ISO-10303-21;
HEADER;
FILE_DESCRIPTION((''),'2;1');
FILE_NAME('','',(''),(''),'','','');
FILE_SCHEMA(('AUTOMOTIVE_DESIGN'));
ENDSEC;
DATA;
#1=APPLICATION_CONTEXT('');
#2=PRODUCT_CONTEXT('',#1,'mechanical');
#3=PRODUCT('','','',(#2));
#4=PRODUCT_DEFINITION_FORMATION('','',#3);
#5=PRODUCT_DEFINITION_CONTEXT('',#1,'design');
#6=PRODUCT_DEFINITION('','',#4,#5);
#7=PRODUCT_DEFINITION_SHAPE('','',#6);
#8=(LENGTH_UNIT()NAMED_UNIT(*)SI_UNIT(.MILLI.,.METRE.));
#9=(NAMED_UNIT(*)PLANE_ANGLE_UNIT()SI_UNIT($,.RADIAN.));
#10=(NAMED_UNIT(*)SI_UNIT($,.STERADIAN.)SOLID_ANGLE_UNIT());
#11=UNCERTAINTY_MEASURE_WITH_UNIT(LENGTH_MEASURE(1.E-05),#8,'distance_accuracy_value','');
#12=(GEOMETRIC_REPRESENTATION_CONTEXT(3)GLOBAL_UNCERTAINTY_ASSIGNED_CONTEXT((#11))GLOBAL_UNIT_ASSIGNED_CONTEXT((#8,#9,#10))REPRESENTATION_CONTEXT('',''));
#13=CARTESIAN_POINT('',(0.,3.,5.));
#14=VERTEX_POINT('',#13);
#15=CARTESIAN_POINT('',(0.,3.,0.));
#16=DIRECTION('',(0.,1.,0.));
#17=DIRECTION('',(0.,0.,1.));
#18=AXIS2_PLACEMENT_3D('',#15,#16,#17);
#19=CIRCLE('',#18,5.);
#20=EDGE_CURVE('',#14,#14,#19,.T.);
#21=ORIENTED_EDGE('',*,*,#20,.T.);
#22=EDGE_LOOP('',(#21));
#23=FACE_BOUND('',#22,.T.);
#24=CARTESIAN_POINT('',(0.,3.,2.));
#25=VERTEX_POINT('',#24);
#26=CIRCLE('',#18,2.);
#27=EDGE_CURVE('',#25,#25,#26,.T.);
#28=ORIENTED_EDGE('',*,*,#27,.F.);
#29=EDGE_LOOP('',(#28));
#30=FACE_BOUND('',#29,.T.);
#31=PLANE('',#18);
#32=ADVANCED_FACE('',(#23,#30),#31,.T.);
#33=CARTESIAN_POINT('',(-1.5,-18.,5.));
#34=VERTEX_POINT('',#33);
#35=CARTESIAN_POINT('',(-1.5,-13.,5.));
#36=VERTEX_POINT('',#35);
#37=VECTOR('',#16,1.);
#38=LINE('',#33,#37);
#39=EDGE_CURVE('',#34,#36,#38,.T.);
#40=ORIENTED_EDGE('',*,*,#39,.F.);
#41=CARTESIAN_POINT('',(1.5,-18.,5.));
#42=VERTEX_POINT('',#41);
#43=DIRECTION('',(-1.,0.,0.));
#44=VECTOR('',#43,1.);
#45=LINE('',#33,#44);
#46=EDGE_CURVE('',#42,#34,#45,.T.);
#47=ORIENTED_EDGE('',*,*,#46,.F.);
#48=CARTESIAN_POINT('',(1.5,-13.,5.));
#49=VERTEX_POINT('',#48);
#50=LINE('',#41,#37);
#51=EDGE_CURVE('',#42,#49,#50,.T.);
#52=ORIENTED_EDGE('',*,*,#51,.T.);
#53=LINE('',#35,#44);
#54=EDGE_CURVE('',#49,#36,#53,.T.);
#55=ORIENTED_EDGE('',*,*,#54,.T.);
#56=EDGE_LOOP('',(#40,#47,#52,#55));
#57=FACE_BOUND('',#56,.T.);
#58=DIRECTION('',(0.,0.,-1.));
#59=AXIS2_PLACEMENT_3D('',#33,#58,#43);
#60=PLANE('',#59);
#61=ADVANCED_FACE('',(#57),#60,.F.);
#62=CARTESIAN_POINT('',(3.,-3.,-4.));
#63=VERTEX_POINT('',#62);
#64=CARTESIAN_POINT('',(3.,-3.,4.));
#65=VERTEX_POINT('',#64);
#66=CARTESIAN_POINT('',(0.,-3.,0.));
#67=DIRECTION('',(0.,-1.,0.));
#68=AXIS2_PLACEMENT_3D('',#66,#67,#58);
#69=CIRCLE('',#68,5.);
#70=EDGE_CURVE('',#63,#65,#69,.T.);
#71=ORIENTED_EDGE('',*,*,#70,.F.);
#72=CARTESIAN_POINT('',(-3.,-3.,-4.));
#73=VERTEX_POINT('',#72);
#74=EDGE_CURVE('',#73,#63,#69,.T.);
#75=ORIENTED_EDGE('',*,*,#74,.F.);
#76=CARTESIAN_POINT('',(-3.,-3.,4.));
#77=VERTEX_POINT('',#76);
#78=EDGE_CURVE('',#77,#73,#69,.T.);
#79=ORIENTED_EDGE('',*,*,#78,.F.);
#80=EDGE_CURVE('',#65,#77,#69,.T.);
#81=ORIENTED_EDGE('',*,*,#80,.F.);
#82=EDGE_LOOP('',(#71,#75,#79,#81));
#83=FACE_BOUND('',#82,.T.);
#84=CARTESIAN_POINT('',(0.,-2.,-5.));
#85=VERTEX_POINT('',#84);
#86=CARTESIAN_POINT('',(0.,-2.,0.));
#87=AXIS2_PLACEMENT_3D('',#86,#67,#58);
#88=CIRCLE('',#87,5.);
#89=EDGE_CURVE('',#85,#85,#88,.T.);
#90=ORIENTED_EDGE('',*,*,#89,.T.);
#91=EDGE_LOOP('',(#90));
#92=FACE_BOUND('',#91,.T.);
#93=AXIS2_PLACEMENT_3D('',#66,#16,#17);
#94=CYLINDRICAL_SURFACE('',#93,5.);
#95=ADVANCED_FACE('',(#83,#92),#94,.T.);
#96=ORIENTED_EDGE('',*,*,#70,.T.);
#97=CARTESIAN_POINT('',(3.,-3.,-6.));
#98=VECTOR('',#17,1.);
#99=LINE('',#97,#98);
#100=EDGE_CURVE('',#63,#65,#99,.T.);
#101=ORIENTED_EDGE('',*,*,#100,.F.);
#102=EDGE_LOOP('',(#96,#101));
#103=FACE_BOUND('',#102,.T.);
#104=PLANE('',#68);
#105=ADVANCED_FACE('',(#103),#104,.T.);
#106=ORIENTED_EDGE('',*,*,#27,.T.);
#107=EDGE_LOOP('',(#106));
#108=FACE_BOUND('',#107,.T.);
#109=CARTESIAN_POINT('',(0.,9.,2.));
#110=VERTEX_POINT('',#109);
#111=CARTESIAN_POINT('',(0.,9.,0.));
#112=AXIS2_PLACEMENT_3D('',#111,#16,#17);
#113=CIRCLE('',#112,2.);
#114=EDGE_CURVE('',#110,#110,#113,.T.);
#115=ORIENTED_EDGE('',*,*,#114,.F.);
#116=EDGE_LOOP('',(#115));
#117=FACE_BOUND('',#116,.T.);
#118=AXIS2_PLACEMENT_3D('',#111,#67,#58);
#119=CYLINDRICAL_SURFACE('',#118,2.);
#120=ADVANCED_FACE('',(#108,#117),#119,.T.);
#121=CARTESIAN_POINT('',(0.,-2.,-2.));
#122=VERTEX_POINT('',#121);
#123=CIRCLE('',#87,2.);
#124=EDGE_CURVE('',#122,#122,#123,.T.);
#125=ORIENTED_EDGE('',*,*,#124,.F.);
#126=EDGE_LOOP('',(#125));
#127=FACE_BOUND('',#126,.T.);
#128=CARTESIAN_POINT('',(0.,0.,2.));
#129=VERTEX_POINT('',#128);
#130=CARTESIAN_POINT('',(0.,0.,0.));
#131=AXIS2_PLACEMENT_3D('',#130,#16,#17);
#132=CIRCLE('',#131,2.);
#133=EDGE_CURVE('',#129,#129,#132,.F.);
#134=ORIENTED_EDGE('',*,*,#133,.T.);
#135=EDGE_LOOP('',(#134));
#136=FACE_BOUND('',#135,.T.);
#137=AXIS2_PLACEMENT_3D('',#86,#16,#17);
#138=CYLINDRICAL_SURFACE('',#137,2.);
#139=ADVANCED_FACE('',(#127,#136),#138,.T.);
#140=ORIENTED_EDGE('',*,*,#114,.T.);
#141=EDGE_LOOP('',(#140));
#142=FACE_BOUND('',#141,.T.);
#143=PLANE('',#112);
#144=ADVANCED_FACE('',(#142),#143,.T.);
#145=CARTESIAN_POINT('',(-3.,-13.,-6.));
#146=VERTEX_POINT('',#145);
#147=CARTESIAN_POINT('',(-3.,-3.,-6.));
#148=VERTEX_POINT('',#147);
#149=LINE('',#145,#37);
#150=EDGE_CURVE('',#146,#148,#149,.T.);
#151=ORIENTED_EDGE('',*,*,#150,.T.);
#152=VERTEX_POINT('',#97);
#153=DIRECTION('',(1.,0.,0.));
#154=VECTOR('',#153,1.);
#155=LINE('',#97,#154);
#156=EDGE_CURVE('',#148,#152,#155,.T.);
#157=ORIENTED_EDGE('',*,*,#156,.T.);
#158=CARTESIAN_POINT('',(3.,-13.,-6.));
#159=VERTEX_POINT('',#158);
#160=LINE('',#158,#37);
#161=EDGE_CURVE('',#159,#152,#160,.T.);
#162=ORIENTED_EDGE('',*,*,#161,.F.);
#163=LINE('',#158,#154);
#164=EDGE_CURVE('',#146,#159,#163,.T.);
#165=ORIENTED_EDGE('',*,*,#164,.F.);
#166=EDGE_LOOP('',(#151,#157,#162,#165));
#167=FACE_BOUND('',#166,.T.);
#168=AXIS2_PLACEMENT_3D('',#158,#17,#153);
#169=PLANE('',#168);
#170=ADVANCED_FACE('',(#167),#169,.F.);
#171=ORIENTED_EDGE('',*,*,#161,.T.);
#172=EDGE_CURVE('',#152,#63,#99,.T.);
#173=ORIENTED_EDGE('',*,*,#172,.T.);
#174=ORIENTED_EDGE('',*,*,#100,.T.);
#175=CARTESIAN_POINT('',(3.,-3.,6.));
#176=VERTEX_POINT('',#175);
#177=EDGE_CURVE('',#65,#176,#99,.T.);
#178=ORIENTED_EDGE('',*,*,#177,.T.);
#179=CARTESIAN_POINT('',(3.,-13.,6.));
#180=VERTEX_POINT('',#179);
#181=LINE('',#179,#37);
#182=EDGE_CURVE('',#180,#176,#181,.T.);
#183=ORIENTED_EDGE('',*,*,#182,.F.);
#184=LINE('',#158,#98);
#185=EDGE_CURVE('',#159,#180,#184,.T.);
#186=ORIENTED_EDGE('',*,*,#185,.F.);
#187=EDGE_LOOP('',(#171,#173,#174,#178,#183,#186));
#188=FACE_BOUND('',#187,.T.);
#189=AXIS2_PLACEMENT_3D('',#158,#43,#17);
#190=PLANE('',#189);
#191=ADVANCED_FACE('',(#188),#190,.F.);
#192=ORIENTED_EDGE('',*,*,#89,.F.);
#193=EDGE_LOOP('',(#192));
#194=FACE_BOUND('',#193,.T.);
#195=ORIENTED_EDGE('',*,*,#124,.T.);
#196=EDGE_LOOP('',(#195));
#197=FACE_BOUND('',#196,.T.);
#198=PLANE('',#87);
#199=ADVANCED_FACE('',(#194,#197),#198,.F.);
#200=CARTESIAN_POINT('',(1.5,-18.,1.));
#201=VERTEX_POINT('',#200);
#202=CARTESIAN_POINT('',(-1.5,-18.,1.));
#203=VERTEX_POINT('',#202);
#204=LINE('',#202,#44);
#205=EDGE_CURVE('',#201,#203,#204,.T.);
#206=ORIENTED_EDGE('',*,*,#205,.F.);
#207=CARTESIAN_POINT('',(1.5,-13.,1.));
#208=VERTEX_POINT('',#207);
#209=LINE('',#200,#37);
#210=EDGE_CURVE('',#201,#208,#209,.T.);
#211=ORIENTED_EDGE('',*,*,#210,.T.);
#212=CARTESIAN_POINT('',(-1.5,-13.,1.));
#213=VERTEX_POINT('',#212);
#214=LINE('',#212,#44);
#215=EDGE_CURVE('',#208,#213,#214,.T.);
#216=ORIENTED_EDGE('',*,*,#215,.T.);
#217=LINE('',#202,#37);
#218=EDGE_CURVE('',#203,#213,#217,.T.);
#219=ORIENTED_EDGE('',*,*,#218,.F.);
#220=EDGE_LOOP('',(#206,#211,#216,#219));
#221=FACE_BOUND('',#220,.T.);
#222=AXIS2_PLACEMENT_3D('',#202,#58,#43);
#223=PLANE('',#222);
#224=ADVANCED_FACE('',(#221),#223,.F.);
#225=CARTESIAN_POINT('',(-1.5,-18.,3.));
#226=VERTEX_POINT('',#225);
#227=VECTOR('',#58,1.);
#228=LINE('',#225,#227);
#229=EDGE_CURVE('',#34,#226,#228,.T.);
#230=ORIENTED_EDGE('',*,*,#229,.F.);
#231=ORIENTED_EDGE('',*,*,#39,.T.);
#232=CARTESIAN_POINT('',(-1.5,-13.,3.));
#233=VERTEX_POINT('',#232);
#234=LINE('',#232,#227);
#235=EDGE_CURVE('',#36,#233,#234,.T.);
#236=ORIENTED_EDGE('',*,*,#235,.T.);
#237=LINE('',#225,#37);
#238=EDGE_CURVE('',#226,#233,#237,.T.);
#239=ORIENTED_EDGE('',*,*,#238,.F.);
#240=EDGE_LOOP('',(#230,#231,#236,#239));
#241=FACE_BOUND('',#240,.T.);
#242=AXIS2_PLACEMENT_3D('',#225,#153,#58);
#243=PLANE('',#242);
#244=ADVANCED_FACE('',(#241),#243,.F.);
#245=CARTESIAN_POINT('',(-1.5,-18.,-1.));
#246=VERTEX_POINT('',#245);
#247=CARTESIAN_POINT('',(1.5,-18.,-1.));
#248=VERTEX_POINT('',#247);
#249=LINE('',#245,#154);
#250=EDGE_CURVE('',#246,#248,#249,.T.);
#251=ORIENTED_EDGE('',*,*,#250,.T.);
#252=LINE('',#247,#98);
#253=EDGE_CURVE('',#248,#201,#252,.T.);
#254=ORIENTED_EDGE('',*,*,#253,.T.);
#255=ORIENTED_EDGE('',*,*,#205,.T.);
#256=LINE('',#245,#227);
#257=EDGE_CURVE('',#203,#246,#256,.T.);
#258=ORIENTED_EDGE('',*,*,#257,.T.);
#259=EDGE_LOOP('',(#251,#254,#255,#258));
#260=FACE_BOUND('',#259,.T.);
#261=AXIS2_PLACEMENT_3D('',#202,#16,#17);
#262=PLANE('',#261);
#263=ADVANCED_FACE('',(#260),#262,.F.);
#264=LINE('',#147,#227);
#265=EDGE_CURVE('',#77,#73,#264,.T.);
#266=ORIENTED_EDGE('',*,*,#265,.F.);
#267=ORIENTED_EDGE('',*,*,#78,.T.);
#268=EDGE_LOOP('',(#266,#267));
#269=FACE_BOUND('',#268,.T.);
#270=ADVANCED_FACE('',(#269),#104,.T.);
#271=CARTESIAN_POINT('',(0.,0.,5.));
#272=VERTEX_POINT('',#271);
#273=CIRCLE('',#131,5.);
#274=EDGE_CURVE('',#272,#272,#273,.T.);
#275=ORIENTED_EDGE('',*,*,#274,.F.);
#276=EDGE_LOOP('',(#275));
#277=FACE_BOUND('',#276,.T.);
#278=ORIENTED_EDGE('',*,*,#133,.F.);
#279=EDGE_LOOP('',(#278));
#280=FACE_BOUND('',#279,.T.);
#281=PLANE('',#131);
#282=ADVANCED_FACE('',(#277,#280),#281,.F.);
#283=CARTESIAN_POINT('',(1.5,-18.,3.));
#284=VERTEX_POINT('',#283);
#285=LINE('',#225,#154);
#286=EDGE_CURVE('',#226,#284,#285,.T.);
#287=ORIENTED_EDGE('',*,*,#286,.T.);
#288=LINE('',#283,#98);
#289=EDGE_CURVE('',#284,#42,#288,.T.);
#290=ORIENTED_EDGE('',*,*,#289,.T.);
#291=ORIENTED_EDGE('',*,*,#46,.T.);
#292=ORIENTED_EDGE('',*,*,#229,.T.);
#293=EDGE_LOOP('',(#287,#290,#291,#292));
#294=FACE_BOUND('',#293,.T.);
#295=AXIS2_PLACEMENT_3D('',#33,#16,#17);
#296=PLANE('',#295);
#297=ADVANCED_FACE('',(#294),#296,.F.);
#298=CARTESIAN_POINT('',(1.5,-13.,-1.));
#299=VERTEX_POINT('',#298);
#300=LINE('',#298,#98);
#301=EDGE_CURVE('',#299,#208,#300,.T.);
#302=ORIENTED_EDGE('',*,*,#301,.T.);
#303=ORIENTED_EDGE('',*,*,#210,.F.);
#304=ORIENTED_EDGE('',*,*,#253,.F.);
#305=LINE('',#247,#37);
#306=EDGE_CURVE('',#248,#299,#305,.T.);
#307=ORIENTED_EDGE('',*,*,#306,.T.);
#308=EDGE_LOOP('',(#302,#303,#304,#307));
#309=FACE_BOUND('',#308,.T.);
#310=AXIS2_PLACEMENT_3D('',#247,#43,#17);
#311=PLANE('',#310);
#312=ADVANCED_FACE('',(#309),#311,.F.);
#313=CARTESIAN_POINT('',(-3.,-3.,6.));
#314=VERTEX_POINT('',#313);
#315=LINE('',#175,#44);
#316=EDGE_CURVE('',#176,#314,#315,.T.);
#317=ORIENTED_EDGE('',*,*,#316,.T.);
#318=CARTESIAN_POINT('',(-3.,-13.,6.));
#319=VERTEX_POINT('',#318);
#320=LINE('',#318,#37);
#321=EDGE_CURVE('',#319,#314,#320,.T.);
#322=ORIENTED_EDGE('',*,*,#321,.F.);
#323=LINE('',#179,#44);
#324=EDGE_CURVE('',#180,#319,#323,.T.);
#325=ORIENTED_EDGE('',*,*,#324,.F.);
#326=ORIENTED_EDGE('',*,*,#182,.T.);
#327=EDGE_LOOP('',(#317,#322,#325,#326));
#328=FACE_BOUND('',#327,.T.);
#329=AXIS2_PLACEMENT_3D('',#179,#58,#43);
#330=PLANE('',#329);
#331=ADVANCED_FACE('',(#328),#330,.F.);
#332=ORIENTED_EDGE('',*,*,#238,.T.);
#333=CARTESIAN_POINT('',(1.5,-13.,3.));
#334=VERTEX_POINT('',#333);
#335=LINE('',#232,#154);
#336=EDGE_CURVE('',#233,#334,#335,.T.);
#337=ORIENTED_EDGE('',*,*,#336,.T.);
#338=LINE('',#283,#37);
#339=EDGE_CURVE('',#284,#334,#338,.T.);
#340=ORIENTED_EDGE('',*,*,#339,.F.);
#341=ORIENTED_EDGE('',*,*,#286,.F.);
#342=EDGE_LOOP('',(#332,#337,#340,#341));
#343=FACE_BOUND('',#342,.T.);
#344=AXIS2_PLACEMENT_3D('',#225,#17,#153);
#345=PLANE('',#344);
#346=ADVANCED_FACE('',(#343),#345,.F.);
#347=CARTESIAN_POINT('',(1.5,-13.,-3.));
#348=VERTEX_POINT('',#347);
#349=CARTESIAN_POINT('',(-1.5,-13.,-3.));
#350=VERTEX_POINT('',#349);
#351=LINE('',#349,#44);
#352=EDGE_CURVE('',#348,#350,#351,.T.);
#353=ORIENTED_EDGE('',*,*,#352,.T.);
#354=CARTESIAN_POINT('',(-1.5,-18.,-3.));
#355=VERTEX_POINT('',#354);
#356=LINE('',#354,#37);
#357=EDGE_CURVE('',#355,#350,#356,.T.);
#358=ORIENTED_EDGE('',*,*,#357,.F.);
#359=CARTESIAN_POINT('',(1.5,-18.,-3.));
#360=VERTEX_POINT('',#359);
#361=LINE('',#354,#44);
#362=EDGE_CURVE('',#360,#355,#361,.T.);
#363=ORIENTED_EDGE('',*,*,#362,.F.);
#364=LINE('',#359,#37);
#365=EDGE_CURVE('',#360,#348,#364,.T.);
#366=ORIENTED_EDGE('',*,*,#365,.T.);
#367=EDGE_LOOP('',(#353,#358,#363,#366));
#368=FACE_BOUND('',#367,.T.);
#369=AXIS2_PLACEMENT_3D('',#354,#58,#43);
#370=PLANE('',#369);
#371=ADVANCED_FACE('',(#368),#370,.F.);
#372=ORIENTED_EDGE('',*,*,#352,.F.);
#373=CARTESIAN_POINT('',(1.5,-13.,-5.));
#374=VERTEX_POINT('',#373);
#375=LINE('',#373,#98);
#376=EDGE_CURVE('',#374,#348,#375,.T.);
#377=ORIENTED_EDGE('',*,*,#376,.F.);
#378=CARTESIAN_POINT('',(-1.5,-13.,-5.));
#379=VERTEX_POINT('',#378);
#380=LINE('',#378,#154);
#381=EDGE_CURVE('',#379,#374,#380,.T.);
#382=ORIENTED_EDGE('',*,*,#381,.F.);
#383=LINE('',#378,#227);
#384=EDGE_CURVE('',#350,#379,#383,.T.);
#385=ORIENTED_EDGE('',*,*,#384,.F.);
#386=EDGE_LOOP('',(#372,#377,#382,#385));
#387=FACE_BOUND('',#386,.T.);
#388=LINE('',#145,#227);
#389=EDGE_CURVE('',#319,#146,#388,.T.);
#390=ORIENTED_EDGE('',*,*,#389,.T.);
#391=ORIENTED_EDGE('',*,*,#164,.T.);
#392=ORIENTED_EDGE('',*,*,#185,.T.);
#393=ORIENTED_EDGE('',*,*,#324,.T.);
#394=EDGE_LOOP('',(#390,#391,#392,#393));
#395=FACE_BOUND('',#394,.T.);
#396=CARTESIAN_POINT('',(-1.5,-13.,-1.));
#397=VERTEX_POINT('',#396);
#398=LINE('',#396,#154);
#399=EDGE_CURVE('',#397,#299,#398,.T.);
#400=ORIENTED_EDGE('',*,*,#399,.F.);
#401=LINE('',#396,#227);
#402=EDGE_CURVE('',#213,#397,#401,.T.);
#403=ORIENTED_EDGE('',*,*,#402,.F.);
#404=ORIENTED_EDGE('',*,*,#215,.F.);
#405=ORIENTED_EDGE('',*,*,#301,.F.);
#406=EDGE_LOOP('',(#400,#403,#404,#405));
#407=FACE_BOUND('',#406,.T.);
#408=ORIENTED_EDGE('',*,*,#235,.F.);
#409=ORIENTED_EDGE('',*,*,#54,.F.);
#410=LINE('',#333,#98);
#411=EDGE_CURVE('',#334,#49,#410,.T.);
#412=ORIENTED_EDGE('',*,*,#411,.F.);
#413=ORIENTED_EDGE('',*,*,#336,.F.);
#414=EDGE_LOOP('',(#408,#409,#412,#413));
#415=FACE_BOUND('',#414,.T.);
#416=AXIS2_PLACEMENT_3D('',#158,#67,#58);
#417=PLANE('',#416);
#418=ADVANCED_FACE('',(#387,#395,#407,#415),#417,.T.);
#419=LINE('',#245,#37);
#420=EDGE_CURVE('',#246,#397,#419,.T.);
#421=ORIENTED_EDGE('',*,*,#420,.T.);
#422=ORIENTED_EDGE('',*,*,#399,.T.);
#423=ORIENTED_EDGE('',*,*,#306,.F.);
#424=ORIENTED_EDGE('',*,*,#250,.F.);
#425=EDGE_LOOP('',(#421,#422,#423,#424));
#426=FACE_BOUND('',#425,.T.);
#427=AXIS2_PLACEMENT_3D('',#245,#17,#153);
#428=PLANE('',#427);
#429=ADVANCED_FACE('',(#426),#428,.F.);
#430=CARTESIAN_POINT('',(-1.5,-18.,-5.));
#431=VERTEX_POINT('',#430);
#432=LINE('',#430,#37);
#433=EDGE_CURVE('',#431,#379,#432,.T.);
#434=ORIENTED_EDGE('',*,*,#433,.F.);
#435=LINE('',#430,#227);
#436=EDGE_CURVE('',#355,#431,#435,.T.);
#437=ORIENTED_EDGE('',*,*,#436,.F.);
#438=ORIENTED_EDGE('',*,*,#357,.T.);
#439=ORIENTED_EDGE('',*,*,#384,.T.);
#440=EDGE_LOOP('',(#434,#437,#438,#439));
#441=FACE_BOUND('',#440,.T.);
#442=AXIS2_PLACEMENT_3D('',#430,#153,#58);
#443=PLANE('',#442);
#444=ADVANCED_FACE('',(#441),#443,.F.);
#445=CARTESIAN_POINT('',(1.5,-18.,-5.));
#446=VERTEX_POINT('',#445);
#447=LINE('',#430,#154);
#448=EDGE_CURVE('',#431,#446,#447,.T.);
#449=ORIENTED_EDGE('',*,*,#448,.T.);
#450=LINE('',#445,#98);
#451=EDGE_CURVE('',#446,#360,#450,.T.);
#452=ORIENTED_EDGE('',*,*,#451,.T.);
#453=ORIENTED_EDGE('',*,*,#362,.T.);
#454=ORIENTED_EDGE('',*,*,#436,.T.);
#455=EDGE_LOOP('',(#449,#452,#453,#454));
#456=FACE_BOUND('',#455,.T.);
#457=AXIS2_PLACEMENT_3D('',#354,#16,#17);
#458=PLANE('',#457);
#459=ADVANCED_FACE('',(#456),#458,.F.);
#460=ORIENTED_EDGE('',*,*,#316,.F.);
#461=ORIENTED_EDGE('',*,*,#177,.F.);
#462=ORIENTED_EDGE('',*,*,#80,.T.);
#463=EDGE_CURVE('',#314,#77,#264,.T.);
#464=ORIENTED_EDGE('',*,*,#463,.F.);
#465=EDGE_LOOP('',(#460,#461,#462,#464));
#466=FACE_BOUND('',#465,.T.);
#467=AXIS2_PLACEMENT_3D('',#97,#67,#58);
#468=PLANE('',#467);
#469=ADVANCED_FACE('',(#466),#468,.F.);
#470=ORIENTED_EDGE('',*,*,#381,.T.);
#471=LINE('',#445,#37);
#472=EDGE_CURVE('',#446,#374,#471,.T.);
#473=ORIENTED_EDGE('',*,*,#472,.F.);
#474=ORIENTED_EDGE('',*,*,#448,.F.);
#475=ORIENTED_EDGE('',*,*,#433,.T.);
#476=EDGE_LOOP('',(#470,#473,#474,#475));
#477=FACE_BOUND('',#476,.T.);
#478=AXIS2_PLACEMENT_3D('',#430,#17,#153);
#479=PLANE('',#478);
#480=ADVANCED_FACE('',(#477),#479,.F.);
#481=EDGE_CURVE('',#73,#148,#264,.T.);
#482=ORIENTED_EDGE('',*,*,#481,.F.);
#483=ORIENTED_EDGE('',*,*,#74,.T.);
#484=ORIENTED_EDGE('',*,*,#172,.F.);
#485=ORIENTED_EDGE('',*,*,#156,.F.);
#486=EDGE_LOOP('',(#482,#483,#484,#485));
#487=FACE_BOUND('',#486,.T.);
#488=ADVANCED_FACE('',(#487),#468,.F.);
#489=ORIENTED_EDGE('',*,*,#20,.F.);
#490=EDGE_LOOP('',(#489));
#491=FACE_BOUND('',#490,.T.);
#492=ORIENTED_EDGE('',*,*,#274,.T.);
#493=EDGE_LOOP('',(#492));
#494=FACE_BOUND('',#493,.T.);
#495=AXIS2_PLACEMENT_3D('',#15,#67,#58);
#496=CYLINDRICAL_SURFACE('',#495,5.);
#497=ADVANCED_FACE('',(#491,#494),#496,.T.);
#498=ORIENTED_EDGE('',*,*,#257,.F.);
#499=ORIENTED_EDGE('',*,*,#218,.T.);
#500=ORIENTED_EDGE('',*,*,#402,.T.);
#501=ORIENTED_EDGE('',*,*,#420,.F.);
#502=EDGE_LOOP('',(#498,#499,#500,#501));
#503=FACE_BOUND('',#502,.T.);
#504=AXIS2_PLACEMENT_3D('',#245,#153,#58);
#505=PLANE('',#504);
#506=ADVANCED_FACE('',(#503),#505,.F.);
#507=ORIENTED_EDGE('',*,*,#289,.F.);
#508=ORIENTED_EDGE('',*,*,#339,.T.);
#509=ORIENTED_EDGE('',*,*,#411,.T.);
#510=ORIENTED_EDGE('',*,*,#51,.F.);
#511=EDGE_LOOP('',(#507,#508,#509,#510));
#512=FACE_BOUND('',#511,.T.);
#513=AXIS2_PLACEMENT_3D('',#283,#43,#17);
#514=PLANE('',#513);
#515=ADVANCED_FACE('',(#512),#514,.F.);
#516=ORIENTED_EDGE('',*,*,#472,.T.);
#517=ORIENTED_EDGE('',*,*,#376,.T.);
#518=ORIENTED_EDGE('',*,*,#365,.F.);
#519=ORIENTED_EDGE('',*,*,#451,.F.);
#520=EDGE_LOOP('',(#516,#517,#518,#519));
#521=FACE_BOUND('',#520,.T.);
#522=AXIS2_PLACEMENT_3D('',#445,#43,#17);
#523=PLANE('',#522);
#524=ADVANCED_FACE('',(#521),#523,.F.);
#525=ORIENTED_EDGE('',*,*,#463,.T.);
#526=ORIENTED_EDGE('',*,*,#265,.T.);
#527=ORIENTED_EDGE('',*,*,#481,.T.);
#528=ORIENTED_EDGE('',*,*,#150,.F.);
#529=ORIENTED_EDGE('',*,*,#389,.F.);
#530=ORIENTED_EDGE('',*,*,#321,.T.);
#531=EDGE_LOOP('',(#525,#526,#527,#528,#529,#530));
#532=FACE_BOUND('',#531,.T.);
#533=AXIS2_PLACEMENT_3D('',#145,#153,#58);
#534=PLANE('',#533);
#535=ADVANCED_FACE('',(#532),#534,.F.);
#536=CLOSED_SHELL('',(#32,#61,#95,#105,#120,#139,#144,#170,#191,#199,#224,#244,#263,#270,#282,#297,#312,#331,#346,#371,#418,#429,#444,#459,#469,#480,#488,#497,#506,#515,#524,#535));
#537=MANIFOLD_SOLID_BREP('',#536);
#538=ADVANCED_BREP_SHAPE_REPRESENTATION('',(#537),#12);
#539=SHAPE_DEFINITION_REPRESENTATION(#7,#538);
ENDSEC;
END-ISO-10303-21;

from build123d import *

# Parameters (mm, degrees)
ESQUISSE1_R      = 5
EXTRUSION1_DEPTH = 3
ESQUISSE2_R      = 2
EXTRUSION2_DEPTH = 6
ESQUISSE3_R      = 2
EXTRUSION3_DEPTH = 2
ESQUISSE4_R      = 5
EXTRUSION4_DEPTH = 1
ESQUISSE5_W      = 6
ESQUISSE5_H      = 12
EXTRUSION5_DEPTH = 10
ESQUISSE6_W      = 3
ESQUISSE6_H      = 2
EXTRUSION6_DEPTH = 5


with BuildPart() as part:
    # Esquisse1 → Extrusion1 (new body)
    with BuildSketch(Plane(origin=(0, 0, 0), x_dir=(1, 0, 0), z_dir=(0, 1, 0))):
        Circle(ESQUISSE1_R)
    extrude(amount=EXTRUSION1_DEPTH)

    # Esquisse2 → Extrusion2 (add)
    with BuildSketch(Plane(origin=(0, 3, 0), x_dir=(-1, 0, 0), z_dir=(0, 1, 0))):
        Circle(ESQUISSE2_R)
    extrude(amount=EXTRUSION2_DEPTH)

    # Esquisse3 → Extrusion3 (add)
    with BuildSketch(Plane.XZ):
        Circle(ESQUISSE3_R)
    extrude(amount=EXTRUSION3_DEPTH)

    # Esquisse4 → Extrusion4 (add)
    with BuildSketch(Plane.XZ.offset(2)):
        Circle(ESQUISSE4_R)
    extrude(amount=EXTRUSION4_DEPTH)

    # Esquisse5 → Extrusion5 (add)
    with BuildSketch(Plane.XZ.offset(3)):
        Rectangle(ESQUISSE5_W, ESQUISSE5_H)
    extrude(amount=EXTRUSION5_DEPTH)

    # Esquisse6 → Extrusion6 (add)
    with BuildSketch(Plane.XZ.offset(13)):
        with Locations((0, 4)):
            Rectangle(ESQUISSE6_W, ESQUISSE6_H)
        Rectangle(ESQUISSE6_W, ESQUISSE6_H)
        with Locations((0, -4)):
            Rectangle(ESQUISSE6_W, ESQUISSE6_H)
    extrude(amount=EXTRUSION6_DEPTH)


solid = part.part
